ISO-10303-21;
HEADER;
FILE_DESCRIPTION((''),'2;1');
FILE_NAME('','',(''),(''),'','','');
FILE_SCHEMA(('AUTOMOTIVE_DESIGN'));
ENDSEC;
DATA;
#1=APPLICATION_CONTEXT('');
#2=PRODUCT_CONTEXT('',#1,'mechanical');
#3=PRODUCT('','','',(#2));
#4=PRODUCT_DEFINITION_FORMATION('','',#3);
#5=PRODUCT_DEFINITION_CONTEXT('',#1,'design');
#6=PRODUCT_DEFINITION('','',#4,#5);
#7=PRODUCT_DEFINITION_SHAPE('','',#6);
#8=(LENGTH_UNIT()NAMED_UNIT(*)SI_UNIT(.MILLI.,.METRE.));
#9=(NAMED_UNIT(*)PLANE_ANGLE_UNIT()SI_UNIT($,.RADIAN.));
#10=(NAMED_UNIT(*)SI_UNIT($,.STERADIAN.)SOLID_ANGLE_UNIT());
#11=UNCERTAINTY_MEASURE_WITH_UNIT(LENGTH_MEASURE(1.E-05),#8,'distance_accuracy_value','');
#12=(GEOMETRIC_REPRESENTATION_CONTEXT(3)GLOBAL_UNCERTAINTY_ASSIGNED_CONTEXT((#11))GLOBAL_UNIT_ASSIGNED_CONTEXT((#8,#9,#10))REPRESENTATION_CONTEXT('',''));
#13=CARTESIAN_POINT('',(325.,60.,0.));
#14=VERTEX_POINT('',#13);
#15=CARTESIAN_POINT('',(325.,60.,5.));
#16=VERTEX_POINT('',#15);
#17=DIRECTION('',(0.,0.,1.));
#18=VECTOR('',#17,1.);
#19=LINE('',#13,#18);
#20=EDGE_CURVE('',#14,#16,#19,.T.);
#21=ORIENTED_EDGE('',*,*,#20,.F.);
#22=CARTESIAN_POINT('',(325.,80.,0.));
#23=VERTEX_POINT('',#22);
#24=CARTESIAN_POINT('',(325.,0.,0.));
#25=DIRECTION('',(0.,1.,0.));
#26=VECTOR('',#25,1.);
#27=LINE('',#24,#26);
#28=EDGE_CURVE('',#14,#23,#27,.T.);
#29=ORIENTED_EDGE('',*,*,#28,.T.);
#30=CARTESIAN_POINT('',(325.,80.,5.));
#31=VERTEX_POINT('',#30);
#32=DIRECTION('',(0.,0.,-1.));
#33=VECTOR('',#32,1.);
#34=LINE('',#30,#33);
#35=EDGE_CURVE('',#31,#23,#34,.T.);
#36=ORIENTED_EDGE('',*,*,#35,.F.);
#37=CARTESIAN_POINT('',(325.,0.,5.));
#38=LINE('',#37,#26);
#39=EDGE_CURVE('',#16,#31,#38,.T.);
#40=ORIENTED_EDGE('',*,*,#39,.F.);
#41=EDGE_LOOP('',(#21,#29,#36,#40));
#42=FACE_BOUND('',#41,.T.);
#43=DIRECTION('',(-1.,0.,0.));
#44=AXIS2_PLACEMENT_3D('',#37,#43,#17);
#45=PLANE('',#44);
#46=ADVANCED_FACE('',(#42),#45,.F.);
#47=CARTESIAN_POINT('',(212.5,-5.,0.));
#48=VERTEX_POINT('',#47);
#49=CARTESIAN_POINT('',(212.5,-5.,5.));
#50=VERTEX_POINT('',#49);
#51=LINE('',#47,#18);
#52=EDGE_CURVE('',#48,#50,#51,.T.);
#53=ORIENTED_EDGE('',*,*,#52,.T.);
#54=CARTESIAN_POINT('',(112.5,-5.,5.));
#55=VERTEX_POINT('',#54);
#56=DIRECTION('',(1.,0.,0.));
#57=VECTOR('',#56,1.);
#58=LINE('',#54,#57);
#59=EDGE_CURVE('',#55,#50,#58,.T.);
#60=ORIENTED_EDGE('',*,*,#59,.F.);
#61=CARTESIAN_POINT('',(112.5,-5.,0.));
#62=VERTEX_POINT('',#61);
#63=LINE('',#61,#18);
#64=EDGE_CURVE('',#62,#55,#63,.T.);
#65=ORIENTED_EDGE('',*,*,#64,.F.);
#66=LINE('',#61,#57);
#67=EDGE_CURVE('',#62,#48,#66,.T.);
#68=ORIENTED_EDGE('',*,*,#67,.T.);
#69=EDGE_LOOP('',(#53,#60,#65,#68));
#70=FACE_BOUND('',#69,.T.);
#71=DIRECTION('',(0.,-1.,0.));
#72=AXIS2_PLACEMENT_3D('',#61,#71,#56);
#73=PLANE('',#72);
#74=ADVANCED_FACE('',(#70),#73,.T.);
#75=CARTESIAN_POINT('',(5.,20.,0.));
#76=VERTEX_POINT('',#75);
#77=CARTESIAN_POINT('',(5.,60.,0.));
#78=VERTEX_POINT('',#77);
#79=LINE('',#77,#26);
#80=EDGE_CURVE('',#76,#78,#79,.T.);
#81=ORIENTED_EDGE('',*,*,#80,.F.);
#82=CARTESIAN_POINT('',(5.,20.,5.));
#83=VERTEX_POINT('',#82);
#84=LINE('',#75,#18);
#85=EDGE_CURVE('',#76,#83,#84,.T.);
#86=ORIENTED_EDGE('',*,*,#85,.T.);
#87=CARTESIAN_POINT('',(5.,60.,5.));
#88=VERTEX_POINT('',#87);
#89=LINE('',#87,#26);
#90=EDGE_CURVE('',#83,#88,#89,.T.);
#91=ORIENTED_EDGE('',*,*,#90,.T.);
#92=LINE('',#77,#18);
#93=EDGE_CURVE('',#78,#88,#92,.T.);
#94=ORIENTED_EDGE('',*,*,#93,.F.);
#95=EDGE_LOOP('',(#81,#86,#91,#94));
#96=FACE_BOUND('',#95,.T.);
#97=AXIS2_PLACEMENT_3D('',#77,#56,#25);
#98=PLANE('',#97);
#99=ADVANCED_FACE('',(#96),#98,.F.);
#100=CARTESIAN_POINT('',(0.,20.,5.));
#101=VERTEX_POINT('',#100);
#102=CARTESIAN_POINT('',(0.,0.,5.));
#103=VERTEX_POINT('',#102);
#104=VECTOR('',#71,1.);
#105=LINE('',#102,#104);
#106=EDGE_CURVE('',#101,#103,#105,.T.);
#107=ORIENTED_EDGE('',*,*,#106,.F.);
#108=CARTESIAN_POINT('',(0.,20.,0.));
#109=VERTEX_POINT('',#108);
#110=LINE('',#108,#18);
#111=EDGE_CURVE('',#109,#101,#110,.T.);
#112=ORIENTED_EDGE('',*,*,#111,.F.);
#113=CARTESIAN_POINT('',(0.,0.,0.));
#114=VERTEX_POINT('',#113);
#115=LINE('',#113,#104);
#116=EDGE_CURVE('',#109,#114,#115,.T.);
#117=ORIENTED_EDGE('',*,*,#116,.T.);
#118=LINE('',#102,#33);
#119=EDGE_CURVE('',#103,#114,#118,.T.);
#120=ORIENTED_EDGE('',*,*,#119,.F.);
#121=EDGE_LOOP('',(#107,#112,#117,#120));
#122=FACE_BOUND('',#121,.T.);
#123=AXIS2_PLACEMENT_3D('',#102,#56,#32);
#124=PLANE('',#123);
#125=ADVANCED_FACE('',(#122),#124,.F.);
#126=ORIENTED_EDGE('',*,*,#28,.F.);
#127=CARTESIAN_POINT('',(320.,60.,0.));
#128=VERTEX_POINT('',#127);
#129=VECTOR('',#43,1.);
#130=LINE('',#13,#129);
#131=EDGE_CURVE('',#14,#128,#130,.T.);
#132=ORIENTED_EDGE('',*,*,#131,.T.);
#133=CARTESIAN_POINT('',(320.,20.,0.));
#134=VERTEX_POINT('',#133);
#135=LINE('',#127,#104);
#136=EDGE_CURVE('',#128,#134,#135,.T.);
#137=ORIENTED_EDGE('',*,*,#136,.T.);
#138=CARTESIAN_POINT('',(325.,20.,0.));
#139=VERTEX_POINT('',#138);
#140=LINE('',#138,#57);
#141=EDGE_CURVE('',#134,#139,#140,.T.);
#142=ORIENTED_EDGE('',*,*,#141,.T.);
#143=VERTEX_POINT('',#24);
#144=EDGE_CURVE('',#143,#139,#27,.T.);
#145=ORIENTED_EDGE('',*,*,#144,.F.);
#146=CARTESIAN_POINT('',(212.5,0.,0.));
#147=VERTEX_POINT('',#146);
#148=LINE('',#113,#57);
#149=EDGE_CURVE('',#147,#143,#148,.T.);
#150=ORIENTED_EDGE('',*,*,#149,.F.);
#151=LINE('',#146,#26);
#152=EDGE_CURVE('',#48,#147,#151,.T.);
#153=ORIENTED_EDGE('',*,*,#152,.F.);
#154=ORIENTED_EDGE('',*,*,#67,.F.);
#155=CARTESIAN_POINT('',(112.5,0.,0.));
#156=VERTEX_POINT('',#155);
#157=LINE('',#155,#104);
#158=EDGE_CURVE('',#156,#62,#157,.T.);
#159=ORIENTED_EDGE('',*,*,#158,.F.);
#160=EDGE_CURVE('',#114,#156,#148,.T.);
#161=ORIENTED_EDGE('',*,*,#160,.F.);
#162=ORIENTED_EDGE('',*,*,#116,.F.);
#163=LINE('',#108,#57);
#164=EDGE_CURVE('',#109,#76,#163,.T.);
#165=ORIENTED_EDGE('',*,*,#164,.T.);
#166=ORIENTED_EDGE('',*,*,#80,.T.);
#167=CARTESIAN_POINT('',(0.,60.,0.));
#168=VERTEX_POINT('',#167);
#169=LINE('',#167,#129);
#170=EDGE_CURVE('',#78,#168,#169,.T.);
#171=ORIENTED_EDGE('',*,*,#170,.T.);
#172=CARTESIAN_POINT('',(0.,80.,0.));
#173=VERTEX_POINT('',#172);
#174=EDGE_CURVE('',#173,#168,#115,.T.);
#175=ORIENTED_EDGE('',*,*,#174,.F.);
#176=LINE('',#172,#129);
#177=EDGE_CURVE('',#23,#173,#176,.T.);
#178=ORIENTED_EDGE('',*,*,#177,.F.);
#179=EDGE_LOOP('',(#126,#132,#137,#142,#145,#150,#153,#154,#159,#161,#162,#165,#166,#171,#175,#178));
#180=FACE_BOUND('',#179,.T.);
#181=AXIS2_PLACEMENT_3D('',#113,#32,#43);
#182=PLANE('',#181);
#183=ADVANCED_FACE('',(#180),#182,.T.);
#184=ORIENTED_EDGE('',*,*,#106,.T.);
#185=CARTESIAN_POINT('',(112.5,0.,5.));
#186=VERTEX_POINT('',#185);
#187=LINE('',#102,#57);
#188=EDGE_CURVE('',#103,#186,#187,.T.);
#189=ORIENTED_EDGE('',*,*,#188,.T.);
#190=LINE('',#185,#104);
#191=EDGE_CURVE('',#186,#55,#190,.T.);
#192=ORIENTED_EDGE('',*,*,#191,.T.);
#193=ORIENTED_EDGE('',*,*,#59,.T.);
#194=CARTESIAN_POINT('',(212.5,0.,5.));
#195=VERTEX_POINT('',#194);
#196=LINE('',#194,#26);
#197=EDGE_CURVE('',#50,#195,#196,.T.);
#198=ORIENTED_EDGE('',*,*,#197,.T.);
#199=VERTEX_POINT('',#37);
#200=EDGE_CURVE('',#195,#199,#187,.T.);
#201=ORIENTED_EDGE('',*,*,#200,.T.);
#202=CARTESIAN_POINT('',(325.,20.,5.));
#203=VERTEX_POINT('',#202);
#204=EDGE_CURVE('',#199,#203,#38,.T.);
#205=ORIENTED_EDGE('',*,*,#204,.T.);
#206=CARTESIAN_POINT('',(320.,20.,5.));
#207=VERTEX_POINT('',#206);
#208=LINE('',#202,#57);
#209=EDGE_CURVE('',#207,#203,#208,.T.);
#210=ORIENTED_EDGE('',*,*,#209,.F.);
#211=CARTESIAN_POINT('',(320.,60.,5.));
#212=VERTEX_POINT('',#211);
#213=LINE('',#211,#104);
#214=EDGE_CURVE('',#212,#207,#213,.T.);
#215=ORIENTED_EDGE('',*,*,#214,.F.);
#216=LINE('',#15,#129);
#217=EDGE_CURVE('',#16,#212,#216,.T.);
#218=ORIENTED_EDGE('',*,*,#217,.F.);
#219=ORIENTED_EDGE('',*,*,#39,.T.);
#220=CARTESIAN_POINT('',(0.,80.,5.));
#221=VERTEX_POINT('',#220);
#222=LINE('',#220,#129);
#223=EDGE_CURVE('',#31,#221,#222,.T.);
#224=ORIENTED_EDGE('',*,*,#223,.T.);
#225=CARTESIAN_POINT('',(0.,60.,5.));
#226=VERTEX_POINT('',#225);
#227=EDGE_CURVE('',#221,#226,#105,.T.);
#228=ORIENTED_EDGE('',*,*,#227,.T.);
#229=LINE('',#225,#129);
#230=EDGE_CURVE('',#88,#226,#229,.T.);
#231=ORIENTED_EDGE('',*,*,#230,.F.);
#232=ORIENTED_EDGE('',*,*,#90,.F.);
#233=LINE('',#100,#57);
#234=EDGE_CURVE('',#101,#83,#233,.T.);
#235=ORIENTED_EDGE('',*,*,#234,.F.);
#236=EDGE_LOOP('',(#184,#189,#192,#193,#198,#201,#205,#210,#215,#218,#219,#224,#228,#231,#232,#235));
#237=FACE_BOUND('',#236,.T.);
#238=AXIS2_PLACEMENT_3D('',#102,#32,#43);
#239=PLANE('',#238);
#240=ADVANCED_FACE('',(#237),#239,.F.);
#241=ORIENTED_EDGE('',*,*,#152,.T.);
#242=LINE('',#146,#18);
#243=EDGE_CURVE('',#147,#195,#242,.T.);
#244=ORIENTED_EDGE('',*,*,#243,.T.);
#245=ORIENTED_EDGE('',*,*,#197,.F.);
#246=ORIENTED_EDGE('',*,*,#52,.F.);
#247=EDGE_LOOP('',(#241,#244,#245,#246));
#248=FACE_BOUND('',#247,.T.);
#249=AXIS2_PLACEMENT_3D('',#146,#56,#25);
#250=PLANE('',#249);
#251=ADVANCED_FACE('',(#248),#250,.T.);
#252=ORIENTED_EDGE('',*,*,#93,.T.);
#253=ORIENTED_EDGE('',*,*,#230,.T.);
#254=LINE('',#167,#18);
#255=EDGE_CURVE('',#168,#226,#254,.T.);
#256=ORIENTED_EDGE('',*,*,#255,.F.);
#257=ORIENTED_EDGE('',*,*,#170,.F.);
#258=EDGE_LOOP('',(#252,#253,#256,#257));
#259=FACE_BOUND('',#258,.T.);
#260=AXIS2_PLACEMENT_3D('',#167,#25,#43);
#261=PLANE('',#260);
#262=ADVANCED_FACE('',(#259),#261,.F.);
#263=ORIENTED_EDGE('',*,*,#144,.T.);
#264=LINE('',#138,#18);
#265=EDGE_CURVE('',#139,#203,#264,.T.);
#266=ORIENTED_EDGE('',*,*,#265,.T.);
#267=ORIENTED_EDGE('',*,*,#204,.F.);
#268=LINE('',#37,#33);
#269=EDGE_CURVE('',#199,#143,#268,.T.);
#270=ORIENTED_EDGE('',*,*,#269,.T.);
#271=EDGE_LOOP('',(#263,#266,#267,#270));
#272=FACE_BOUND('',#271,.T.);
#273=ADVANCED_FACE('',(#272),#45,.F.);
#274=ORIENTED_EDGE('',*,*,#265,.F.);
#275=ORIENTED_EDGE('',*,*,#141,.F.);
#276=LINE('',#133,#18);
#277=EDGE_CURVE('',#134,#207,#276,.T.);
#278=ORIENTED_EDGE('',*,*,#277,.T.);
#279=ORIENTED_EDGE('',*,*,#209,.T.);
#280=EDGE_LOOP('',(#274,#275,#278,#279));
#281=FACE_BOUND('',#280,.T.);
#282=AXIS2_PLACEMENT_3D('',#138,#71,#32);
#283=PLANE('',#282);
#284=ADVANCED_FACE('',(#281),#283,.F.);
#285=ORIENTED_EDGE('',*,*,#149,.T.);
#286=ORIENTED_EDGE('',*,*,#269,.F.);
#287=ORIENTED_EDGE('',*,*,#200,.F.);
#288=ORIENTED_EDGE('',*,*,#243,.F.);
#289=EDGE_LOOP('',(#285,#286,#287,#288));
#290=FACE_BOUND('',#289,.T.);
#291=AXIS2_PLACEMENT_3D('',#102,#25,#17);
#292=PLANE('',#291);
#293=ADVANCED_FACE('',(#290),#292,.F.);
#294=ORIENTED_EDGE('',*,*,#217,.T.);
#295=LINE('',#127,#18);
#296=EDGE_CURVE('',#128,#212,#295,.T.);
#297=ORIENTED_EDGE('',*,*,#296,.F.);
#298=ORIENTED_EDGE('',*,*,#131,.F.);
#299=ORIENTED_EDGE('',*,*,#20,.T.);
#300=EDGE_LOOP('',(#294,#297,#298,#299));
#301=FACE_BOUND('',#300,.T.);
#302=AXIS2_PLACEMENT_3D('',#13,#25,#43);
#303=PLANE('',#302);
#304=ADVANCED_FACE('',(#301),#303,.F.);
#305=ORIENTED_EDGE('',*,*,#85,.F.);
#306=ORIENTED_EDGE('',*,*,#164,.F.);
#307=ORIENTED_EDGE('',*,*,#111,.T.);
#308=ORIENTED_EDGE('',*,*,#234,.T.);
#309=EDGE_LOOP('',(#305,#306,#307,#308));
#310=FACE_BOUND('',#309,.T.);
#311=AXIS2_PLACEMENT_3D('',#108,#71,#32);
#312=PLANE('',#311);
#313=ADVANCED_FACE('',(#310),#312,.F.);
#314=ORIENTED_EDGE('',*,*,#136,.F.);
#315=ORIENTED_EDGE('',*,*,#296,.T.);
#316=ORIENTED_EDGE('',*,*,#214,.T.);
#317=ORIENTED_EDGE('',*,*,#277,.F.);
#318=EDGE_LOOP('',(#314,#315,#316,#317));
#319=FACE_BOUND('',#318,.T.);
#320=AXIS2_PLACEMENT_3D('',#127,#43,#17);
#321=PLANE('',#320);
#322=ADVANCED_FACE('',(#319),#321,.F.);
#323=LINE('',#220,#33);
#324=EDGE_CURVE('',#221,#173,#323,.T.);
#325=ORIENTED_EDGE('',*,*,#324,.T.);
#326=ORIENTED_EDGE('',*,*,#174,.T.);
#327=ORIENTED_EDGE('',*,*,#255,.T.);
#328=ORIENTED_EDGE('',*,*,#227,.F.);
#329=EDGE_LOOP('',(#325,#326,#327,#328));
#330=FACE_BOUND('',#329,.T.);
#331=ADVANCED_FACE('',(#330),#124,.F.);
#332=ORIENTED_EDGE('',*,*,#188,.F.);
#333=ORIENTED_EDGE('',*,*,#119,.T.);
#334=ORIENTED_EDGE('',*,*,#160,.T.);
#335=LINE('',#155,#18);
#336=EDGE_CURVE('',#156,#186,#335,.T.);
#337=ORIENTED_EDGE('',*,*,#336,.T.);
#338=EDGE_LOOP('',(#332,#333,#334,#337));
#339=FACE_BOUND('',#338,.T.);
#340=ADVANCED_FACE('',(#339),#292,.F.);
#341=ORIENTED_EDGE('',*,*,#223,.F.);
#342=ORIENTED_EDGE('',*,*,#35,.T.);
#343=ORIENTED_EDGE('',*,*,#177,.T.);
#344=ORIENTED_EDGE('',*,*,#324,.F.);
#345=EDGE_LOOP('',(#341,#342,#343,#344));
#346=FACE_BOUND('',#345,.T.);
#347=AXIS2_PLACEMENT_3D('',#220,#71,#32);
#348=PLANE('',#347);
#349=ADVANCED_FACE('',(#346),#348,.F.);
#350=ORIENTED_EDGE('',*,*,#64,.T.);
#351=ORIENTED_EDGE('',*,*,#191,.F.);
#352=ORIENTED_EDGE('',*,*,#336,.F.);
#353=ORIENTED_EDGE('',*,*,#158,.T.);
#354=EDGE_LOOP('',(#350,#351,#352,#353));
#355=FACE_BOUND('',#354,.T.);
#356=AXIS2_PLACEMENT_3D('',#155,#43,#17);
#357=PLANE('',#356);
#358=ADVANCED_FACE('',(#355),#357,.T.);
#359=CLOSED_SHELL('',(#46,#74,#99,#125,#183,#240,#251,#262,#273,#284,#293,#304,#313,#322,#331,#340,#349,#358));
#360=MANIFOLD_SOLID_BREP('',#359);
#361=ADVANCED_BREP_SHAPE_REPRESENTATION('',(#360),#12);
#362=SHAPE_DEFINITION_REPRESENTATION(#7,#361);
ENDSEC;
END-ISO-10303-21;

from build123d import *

# Parameters (mm, degrees)
SKIZZE1_W                       = 325
SKIZZE1_H                       = 80
AUFSATZ_LINEAR_AUSTRAGEN1_DEPTH = 5
SKIZZE2_W                       = 100
SKIZZE2_H                       = 5
AUFSATZ_LINEAR_AUSTRAGEN3_DEPTH = 5
SKIZZE3_W                       = 5
SKIZZE3_H                       = 40
SCHNITT_LINEAR_AUSTRAGEN1_DEPTH = 335.738704066


with BuildPart() as part:
    # Skizze1 → Aufsatz-Linear austragen1 (new body)
    with BuildSketch(Plane.XY):
        with Locations((162.5, 40)):
            Rectangle(SKIZZE1_W, SKIZZE1_H)
    extrude(amount=AUFSATZ_LINEAR_AUSTRAGEN1_DEPTH)

    # Skizze2 → Aufsatz-Linear austragen3 (add, through all)
    with BuildSketch(Plane.XY.offset(5)):
        with Locations((162.5, -2.5)):
            Rectangle(SKIZZE2_W, SKIZZE2_H)
    extrude(amount=-AUFSATZ_LINEAR_AUSTRAGEN3_DEPTH)

    # Skizze3 → Schnitt-Linear austragen1 (cut, through all)
    with BuildSketch(Plane.XY.offset(5)):
        with Locations((2.5, 40)):
            Rectangle(SKIZZE3_W, SKIZZE3_H)
        with Locations((322.5, 40)):
            Rectangle(SKIZZE3_W, SKIZZE3_H)
    extrude(amount=-SCHNITT_LINEAR_AUSTRAGEN1_DEPTH, mode=Mode.SUBTRACT)


solid = part.part
